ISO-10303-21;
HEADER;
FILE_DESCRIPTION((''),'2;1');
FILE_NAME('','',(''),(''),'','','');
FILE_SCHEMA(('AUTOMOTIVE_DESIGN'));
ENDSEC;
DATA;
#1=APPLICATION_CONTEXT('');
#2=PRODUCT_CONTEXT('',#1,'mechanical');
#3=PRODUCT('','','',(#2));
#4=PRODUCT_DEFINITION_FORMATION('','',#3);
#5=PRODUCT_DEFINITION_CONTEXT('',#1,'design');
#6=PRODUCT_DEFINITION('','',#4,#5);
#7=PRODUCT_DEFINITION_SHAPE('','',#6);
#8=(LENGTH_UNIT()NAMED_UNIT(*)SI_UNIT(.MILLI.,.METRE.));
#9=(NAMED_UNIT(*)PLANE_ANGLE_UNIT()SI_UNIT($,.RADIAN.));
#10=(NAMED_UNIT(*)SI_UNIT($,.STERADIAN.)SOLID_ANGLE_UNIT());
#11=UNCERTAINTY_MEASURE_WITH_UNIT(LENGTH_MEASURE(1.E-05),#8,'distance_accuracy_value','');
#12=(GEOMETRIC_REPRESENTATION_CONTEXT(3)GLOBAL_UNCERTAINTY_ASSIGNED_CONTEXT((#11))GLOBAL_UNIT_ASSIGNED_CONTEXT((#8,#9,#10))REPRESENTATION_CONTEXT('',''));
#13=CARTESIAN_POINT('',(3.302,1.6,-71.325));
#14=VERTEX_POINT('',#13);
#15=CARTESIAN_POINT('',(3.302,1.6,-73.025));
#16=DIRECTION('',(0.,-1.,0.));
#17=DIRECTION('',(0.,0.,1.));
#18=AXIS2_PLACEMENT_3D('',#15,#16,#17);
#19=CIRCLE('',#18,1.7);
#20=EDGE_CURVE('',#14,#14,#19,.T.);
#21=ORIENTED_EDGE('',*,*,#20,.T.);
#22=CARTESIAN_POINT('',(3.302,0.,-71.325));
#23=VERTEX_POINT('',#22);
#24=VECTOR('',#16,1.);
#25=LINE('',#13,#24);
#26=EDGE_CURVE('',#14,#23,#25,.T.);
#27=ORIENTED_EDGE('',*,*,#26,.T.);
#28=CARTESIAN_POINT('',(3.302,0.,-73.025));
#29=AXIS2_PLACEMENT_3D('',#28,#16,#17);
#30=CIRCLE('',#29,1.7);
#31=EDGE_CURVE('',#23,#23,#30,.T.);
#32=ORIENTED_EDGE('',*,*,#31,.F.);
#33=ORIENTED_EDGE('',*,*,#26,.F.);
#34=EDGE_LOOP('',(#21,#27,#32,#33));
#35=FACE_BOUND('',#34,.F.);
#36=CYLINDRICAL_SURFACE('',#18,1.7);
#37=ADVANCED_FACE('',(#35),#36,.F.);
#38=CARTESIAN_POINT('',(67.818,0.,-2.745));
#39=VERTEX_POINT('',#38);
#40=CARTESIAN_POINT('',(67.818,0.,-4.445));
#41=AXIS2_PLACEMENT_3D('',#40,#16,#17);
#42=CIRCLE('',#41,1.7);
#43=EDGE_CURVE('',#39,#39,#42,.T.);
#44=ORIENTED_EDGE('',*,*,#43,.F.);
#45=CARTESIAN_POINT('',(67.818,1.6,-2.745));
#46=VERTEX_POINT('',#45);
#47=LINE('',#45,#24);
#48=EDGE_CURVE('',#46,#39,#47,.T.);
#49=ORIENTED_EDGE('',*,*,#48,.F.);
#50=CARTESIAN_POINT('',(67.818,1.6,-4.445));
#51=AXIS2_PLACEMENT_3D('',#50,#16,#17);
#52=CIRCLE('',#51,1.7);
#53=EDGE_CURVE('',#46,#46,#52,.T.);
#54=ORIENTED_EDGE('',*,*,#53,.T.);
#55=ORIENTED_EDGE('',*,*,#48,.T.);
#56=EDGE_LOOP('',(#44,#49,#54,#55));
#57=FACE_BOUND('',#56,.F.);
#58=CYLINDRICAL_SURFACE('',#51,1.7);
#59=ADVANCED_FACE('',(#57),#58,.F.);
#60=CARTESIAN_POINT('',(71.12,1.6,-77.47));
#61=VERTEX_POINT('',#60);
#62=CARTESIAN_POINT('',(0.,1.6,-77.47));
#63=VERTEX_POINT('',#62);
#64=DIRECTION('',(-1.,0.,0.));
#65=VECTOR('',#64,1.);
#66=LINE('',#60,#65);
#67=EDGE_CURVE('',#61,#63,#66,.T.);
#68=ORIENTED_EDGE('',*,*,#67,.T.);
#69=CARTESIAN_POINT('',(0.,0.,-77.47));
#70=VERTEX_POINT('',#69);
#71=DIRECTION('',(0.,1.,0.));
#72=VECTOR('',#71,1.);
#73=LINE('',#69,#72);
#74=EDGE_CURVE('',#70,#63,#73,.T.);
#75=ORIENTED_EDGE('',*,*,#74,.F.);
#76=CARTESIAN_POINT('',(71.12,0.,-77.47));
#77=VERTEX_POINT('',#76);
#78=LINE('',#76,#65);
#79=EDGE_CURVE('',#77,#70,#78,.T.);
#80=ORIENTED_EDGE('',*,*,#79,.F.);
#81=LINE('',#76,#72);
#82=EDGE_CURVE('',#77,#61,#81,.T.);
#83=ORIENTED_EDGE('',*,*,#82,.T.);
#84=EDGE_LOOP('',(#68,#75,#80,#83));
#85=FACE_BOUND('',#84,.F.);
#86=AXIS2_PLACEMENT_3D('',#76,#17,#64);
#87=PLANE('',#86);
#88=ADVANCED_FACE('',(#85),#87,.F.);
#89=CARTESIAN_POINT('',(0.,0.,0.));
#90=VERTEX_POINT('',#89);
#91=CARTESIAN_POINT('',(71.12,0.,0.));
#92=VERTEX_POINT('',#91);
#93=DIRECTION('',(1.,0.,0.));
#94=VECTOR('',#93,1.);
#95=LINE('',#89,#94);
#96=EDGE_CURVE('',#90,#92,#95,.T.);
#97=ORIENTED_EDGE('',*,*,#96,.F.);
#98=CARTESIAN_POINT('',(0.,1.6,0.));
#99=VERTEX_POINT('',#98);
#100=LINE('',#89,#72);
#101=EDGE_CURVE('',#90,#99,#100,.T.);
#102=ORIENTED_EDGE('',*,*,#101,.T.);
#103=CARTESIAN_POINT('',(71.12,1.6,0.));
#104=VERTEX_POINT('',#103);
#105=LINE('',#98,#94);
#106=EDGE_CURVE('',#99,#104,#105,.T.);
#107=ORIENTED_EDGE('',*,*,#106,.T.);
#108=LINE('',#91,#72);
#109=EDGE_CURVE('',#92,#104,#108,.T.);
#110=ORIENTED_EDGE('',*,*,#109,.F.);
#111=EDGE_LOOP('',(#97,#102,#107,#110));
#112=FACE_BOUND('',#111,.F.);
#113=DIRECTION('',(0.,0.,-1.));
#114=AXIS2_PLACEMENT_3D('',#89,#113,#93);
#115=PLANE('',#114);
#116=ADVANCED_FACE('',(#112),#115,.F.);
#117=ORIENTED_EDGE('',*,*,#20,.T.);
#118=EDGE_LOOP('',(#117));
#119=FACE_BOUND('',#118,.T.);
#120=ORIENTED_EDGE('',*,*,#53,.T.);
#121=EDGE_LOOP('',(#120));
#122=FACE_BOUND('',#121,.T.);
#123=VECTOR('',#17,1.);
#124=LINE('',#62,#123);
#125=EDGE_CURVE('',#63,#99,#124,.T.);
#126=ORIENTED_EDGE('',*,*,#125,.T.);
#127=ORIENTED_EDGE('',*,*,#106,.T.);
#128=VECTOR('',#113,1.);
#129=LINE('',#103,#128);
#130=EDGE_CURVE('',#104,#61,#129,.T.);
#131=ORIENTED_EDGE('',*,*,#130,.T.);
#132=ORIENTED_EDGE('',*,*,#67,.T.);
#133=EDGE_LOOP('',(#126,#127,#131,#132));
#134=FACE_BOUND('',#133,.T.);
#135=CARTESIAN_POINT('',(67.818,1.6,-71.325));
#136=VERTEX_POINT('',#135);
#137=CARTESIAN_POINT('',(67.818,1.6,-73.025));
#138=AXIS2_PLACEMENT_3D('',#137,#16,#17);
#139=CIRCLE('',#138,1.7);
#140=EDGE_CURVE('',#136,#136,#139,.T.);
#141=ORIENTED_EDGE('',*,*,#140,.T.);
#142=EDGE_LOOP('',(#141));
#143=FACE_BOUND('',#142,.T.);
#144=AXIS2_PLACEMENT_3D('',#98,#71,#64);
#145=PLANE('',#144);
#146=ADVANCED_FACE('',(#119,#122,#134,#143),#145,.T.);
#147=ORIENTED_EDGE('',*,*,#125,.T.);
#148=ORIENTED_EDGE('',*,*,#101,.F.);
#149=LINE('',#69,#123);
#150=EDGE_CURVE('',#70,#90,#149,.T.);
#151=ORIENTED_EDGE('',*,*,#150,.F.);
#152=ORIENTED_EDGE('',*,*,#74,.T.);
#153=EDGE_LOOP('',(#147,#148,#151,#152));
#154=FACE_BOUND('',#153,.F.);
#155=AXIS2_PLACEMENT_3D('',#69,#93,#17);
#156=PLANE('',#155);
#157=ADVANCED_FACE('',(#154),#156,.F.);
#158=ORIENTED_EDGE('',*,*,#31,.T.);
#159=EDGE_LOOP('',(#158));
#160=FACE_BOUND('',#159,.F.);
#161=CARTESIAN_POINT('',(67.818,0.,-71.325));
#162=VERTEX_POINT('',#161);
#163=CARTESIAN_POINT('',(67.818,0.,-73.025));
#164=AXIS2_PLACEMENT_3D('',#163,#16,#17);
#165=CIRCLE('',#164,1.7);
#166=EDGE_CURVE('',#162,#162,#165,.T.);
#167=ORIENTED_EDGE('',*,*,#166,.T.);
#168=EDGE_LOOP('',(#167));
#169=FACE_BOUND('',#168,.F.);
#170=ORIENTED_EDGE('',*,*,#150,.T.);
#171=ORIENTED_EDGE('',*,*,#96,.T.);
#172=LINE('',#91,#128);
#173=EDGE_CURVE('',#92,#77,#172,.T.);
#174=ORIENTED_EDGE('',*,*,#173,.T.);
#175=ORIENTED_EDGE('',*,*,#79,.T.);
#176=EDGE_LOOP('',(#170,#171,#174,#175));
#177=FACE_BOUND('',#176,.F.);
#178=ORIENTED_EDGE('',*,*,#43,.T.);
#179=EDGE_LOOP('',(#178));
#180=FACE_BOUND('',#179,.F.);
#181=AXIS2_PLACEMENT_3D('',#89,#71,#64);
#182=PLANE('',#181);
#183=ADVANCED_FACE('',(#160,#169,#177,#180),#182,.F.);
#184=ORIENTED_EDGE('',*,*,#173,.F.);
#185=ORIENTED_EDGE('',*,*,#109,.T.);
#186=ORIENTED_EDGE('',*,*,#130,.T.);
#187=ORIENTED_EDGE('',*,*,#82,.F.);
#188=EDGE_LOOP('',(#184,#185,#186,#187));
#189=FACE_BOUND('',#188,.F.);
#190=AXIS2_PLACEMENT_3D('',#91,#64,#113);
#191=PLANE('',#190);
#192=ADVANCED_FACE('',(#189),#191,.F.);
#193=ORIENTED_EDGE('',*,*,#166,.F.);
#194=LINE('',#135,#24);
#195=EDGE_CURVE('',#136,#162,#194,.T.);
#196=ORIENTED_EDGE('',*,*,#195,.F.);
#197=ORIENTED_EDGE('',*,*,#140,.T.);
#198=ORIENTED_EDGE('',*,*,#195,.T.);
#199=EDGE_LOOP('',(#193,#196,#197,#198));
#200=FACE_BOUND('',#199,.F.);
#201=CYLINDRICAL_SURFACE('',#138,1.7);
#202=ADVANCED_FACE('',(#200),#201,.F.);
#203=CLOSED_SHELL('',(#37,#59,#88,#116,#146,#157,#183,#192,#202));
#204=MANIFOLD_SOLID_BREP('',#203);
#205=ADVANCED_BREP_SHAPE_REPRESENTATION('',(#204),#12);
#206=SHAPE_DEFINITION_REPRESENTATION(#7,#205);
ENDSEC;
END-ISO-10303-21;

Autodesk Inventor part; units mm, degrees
ref_plane "YZ Plane" through (0, 0, 0) normal (1, 0, 0) x (0, 1, 0)
sketch "Sketch1" plane through (0, 0, 0) normal (0, 1, 0) x (-1, 0, 0)
  line L0 (0, 0) -> (-71.12, 0)
  line L1 (-71.12, 0) -> (-71.12, -77.47)
  line L2 (-71.12, -77.47) -> (0, -77.47)
  line L3 (0, -77.47) -> (0, 0)
  dimension "d0" = 71.12
  dimension "d1" = 77.47
extrude "Extrusion1" add sketch "Sketch1" along normal blind 1.6
sketch "Sketch2" plane through (0, 1.6, 0) normal (0, 1, 0) x (1, 0, 0)
  line L0 (67.818, 4.445) -> (3.302, 4.445) construction
  line L1 (3.302, 4.445) -> (3.302, 73.025) construction
  line L2 (3.302, 73.025) -> (67.818, 73.025) construction
  line L3 (67.818, 73.025) -> (67.818, 4.445) construction
  line L4 (0, 0) -> (71.12, 0) construction
  line L5 (35.56, 0) -> (35.56, 77.47) construction
  line L6 (71.12, 77.47) -> (0, 77.47) construction
  line L7 (67.818, 73.025) -> (3.302, 4.445) construction
  point P0 (35.56, 38.735)
  dimension "d4" = 68.58
  dimension "d5" = 64.516
hole "Hole1" at (3.302, 1.6, -73.025) at (67.818, 1.6, -4.445) at (67.818, 1.6, -73.025) direction (0, -1, 0) diameter 3.4 end through all clearance for "Flat Head Machine Screw" size "M3" standard "Ansi Metric M Profile"
ref_plane "Work Plane1" through (0, 0, -38.735) normal (0, 0, 1) x (1, 0, 0)
ref_plane "Work Plane2" through (35.56, 0, -77.47) normal (-1, 0, 0) x (0, 0, 1)
properties part number "PCB" material "Copper"
